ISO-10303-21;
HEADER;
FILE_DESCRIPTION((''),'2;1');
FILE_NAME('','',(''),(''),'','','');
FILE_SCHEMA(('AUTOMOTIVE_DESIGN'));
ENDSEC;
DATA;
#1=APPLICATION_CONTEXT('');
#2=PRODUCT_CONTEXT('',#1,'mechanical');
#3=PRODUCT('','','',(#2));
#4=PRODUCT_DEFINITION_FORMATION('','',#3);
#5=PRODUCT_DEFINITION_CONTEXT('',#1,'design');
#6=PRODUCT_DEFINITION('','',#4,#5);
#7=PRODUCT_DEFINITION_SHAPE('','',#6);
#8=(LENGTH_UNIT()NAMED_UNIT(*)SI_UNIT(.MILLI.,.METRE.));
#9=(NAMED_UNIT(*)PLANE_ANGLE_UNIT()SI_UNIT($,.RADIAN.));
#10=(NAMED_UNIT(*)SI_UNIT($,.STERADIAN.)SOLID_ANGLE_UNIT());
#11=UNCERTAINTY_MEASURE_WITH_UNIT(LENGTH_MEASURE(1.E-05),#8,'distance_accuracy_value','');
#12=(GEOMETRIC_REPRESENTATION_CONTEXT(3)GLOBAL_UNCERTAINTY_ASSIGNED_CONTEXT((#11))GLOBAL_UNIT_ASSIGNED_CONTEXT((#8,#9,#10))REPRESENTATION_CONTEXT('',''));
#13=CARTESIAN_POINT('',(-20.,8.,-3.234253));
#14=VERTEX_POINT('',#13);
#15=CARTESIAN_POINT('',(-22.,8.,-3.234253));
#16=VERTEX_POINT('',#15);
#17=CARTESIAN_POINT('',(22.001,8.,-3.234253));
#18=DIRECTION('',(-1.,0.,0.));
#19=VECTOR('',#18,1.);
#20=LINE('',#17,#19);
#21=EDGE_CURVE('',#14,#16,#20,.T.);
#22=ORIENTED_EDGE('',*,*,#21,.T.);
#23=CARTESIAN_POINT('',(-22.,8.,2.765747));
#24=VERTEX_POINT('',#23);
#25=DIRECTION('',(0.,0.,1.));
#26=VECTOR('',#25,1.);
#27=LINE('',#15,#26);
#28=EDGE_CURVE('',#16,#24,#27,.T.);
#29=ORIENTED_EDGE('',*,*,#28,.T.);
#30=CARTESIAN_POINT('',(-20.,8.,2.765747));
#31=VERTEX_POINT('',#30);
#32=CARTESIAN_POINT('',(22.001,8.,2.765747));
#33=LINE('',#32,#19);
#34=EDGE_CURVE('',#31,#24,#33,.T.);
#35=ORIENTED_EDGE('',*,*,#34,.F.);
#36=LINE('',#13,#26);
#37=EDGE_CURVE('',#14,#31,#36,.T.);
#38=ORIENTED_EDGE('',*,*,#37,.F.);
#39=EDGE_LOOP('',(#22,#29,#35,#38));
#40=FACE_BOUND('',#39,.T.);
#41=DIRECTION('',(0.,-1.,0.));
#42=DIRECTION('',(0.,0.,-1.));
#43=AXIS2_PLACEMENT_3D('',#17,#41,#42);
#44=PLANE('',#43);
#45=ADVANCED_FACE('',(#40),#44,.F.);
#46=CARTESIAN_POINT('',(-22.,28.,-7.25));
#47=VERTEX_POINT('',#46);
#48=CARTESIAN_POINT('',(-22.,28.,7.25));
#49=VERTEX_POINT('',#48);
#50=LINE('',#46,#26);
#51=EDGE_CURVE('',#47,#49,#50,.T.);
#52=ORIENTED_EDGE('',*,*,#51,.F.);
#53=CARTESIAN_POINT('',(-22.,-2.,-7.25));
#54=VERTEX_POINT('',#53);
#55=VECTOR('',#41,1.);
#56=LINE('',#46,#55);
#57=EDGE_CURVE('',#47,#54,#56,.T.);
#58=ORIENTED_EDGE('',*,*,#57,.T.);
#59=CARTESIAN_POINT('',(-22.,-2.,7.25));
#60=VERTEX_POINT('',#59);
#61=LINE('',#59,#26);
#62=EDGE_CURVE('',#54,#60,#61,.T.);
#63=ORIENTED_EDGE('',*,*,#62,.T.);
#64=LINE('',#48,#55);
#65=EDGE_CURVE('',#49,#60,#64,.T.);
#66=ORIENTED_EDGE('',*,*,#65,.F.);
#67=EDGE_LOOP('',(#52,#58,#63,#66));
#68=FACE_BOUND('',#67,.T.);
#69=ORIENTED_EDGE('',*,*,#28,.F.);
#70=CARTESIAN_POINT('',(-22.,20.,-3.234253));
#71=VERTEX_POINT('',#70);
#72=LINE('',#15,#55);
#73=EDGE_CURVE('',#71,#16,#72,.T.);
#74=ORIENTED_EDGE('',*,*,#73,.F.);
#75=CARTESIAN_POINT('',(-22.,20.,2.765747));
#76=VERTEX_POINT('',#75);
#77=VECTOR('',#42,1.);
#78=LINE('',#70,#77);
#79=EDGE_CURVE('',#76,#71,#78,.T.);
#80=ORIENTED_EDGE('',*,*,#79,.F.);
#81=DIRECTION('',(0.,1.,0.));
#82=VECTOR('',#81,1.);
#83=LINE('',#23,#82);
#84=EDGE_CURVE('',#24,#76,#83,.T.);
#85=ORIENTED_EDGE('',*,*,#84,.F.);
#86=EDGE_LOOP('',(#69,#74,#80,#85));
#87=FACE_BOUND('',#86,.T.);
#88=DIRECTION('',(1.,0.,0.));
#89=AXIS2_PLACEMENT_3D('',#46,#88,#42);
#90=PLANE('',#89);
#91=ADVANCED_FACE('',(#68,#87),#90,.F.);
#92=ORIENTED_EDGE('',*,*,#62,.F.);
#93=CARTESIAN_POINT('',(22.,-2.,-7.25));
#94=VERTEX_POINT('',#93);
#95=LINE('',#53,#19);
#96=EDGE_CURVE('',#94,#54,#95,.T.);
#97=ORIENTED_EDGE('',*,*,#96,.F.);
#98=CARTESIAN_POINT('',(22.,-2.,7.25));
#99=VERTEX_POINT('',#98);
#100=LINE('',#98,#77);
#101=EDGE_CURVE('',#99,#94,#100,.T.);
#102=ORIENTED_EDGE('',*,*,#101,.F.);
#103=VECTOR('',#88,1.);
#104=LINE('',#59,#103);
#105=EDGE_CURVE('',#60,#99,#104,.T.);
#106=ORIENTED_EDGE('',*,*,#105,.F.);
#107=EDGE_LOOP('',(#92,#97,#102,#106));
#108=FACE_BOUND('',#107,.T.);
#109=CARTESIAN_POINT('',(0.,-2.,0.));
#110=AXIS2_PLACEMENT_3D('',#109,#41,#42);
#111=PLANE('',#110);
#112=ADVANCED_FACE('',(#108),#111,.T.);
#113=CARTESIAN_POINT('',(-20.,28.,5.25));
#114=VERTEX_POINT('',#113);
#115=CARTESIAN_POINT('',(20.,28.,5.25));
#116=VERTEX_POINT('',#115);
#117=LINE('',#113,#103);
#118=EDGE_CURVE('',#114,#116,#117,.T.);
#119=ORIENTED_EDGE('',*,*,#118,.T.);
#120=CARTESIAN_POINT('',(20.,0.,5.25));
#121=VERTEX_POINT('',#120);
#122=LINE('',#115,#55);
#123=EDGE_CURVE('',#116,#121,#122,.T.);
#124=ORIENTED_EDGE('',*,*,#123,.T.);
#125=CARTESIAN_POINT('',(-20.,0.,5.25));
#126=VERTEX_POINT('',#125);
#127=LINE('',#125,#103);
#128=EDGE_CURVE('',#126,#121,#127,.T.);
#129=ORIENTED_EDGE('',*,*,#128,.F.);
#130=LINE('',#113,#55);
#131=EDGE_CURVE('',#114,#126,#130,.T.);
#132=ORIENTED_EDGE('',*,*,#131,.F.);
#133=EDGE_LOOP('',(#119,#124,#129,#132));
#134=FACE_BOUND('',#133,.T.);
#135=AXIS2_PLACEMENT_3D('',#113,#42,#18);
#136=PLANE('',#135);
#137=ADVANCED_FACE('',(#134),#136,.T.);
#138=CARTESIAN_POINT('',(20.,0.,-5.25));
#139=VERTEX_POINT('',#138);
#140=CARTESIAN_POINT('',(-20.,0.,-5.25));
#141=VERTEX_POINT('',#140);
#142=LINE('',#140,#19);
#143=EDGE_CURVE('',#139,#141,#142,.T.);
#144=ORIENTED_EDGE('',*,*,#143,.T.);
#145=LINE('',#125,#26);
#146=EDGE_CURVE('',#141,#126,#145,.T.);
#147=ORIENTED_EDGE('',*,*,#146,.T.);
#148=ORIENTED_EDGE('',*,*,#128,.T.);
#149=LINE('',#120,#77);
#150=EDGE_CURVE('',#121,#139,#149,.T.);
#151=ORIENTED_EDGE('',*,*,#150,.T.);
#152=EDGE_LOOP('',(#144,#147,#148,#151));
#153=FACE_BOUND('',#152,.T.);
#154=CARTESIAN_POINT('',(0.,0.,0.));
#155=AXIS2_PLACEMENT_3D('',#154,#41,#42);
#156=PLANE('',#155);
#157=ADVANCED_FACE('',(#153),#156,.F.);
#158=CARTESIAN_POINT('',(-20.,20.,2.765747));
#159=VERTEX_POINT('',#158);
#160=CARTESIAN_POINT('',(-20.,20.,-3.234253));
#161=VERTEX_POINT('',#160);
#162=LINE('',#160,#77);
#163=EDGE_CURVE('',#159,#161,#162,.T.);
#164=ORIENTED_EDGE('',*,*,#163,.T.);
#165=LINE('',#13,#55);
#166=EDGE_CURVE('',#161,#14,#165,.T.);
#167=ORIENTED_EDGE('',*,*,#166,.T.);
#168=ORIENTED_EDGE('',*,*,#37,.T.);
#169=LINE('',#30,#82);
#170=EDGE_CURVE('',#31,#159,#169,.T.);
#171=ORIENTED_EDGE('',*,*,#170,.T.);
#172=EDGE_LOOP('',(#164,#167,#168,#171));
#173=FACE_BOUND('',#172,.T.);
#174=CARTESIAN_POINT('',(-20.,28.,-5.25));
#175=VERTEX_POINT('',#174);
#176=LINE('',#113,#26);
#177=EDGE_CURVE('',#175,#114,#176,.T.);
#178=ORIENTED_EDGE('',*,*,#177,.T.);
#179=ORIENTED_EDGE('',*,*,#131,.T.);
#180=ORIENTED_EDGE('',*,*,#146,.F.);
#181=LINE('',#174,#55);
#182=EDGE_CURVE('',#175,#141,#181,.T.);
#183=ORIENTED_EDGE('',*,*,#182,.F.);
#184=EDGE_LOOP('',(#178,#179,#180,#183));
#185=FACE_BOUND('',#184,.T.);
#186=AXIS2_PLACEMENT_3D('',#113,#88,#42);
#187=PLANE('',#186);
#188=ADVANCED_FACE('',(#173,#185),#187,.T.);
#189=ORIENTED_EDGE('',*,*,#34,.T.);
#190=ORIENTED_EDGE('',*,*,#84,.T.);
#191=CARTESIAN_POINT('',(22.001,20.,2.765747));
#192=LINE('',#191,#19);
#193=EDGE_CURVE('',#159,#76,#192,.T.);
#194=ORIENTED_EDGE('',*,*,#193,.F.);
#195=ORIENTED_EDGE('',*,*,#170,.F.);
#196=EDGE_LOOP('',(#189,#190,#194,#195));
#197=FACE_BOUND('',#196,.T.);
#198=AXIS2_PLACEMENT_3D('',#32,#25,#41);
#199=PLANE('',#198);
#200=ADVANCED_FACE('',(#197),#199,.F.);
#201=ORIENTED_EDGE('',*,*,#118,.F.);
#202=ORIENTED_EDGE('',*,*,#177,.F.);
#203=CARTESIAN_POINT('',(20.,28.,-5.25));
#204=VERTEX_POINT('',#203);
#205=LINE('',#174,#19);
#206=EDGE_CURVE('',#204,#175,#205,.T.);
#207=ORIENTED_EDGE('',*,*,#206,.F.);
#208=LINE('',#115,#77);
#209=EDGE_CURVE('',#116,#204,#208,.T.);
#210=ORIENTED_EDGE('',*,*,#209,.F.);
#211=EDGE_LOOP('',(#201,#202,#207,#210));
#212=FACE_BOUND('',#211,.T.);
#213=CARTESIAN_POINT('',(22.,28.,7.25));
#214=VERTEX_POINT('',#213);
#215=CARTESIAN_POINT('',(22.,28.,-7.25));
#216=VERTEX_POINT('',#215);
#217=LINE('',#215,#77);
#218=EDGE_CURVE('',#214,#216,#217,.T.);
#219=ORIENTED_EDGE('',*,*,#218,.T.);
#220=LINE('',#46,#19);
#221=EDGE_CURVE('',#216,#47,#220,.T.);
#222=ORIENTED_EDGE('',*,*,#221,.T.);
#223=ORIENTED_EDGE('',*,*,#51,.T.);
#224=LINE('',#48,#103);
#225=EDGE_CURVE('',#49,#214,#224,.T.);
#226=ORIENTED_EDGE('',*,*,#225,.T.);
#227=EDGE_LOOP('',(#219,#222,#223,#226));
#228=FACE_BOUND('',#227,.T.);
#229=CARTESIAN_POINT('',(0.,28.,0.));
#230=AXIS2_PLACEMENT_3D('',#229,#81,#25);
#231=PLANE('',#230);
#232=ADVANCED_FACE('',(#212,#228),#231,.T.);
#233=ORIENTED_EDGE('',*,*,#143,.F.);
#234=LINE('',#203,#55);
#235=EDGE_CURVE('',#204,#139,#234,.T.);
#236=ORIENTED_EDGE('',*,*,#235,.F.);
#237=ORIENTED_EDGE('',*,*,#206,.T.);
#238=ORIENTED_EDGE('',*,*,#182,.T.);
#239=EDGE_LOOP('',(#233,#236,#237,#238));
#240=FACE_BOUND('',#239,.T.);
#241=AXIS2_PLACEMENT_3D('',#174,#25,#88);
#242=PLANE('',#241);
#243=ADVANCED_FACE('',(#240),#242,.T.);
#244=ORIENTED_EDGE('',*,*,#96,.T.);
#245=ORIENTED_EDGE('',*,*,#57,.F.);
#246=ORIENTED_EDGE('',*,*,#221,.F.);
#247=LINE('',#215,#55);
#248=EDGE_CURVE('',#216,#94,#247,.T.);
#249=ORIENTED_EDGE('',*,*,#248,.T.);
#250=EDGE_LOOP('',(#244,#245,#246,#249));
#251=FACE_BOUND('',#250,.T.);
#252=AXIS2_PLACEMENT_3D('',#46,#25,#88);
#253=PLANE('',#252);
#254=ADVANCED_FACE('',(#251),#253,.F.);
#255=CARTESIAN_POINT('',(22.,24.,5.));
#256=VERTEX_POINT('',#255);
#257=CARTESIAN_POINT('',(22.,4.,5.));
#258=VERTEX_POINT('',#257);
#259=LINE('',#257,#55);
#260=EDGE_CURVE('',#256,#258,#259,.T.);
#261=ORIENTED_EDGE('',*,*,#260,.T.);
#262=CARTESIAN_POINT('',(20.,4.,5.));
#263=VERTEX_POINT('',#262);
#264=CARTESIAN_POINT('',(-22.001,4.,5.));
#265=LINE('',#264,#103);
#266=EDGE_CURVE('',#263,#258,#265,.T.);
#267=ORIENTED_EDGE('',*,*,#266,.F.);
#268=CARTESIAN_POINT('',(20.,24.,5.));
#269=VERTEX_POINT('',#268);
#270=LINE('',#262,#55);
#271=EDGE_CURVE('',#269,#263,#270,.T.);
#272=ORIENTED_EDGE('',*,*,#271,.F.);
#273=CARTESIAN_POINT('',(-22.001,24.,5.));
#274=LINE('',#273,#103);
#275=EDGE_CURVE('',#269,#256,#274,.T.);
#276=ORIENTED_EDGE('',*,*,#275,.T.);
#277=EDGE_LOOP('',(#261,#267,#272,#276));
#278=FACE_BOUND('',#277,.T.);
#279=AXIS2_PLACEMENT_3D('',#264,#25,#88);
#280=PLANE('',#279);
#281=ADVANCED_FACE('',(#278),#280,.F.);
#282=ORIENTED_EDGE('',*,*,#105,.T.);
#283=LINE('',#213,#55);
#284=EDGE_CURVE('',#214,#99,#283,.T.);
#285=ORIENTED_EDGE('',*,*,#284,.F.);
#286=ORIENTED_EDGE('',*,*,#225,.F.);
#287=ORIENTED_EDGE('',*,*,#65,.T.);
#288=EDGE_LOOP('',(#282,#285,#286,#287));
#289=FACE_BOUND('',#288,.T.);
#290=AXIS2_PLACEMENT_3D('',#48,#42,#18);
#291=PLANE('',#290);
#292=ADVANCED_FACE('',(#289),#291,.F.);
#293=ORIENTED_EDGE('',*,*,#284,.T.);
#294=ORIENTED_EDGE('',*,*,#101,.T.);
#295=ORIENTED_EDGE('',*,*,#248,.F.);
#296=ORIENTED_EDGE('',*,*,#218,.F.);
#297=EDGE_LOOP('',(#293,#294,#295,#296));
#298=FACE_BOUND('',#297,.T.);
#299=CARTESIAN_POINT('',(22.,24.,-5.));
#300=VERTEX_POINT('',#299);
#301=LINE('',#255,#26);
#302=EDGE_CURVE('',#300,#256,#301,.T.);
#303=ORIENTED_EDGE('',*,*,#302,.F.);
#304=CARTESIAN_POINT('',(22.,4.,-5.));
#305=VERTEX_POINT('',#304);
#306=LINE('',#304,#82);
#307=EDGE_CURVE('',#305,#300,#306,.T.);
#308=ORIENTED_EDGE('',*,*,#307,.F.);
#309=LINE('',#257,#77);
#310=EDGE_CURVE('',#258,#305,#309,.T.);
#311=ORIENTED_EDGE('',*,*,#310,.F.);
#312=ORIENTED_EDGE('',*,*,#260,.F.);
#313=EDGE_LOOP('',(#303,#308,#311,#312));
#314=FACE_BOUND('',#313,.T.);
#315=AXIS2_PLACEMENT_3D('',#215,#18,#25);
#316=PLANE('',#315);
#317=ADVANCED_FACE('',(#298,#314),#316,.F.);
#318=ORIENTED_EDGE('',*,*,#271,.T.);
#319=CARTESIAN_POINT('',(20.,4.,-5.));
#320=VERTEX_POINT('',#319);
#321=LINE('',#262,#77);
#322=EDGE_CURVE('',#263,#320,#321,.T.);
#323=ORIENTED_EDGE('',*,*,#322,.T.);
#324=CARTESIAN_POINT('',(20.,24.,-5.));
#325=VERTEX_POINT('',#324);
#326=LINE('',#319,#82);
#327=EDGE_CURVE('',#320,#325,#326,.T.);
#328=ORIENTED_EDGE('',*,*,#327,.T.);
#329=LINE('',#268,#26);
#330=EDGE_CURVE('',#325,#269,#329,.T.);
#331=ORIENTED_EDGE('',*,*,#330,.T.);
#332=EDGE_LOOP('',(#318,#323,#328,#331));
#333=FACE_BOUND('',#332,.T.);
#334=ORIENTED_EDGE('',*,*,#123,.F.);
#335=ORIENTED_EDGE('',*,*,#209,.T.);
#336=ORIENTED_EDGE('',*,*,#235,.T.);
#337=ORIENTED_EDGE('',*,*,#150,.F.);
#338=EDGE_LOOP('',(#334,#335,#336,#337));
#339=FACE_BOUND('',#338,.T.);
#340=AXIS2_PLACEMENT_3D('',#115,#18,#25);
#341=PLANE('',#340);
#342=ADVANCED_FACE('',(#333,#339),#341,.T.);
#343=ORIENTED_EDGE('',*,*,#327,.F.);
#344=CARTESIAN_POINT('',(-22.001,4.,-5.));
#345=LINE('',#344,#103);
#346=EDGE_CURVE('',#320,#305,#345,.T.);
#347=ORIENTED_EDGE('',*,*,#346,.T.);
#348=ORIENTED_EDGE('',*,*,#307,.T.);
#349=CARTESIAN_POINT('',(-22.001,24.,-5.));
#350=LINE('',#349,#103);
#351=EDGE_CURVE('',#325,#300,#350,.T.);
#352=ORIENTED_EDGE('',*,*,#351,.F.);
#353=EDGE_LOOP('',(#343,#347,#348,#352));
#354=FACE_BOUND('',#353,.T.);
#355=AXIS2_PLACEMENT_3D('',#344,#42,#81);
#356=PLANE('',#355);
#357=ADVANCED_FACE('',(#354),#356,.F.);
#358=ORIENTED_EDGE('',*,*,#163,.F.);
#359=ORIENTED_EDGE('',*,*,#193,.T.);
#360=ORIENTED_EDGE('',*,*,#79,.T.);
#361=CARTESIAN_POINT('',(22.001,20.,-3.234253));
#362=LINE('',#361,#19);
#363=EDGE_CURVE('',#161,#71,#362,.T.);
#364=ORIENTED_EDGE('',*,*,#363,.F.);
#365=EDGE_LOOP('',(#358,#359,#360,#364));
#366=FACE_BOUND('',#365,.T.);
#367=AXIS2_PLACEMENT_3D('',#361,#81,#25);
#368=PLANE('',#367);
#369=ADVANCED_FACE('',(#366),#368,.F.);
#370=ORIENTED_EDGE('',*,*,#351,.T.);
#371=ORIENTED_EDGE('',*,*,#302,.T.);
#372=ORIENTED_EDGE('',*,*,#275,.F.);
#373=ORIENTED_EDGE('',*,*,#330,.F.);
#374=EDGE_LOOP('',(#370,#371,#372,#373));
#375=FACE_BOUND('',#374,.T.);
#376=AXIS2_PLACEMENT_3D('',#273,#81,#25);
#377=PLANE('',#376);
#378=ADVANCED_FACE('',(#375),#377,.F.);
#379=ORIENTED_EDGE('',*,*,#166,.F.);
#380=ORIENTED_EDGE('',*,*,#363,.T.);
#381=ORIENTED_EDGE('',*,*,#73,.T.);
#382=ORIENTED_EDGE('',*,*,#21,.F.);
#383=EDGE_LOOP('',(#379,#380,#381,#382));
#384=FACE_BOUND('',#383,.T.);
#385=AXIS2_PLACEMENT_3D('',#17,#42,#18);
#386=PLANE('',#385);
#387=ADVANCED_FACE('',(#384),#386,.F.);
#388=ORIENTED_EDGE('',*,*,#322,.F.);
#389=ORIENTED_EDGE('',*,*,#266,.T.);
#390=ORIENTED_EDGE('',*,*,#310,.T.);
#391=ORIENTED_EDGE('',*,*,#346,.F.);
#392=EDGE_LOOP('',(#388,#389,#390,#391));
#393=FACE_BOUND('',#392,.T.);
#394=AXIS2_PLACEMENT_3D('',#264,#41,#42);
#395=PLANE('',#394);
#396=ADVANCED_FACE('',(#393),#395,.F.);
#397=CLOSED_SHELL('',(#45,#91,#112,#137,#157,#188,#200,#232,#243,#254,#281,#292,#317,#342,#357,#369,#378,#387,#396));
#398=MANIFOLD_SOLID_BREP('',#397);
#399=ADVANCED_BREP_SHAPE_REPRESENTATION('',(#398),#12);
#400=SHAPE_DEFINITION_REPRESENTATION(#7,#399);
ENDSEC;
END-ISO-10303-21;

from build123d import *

# Parameters (mm, degrees)
SKETCH1_W           = 44
SKETCH1_H           = 14.5
SKETCH1_W_2         = 40
SKETCH1_H_2         = 10.5
BOSS_EXTRUDE1_DEPTH = 28
SKETCH2_W           = 44
SKETCH2_H           = 14.5
BOSS_EXTRUDE2_DEPTH = 2
CUT_EXTRUDE1_REACH  = 46
SKETCH3_W           = 6
SKETCH3_H           = 12
CUT_EXTRUDE2_REACH  = 46
SKETCH4_W           = 10
SKETCH4_H           = 20


with BuildPart() as part:
    # Sketch1 → Boss-Extrude1 (new body)
    with BuildSketch(Plane(origin=(0, 0, 0), x_dir=(1, 0, 0), z_dir=(0, 1, 0))):
        Rectangle(SKETCH1_W, SKETCH1_H)
        Rectangle(SKETCH1_W_2, SKETCH1_H_2, mode=Mode.SUBTRACT)
    extrude(amount=BOSS_EXTRUDE1_DEPTH)

    # Sketch2 → Boss-Extrude2 (add)
    with BuildSketch(Plane(origin=(0, 0, 0), x_dir=(1, 0, 0), z_dir=(0, 1, 0))):
        Rectangle(SKETCH2_W, SKETCH2_H)
    extrude(amount=-BOSS_EXTRUDE2_DEPTH)

    # Sketch3 → Cut-Extrude1 (cut, up to next)
    with BuildSketch(Plane.ZY.offset(22), mode=Mode.PRIVATE) as cut_extrude1_sk1:
        with Locations((-0.23425331, 14)):
            Rectangle(SKETCH3_W, SKETCH3_H)
    cut_extrude1_tool1 = extrude(cut_extrude1_sk1.sketch, amount=-CUT_EXTRUDE1_REACH, mode=Mode.PRIVATE) & part.part
    add(cut_extrude1_tool1.solids().sort_by_distance((-22, 14, -0.234253))[0], mode=Mode.SUBTRACT)

    # Sketch4 → Cut-Extrude2 (cut, up to next)
    with BuildSketch(Plane(origin=(22, 0, 0), x_dir=(0, 0, -1), z_dir=(1, 0, 0)), mode=Mode.PRIVATE) as cut_extrude2_sk1:
        with Locations((0, 14)):
            Rectangle(SKETCH4_W, SKETCH4_H)
    cut_extrude2_tool1 = extrude(cut_extrude2_sk1.sketch, amount=-CUT_EXTRUDE2_REACH, mode=Mode.PRIVATE) & part.part
    add(cut_extrude2_tool1.solids().sort_by_distance((22, 14, 0))[0], mode=Mode.SUBTRACT)


solid = part.part
